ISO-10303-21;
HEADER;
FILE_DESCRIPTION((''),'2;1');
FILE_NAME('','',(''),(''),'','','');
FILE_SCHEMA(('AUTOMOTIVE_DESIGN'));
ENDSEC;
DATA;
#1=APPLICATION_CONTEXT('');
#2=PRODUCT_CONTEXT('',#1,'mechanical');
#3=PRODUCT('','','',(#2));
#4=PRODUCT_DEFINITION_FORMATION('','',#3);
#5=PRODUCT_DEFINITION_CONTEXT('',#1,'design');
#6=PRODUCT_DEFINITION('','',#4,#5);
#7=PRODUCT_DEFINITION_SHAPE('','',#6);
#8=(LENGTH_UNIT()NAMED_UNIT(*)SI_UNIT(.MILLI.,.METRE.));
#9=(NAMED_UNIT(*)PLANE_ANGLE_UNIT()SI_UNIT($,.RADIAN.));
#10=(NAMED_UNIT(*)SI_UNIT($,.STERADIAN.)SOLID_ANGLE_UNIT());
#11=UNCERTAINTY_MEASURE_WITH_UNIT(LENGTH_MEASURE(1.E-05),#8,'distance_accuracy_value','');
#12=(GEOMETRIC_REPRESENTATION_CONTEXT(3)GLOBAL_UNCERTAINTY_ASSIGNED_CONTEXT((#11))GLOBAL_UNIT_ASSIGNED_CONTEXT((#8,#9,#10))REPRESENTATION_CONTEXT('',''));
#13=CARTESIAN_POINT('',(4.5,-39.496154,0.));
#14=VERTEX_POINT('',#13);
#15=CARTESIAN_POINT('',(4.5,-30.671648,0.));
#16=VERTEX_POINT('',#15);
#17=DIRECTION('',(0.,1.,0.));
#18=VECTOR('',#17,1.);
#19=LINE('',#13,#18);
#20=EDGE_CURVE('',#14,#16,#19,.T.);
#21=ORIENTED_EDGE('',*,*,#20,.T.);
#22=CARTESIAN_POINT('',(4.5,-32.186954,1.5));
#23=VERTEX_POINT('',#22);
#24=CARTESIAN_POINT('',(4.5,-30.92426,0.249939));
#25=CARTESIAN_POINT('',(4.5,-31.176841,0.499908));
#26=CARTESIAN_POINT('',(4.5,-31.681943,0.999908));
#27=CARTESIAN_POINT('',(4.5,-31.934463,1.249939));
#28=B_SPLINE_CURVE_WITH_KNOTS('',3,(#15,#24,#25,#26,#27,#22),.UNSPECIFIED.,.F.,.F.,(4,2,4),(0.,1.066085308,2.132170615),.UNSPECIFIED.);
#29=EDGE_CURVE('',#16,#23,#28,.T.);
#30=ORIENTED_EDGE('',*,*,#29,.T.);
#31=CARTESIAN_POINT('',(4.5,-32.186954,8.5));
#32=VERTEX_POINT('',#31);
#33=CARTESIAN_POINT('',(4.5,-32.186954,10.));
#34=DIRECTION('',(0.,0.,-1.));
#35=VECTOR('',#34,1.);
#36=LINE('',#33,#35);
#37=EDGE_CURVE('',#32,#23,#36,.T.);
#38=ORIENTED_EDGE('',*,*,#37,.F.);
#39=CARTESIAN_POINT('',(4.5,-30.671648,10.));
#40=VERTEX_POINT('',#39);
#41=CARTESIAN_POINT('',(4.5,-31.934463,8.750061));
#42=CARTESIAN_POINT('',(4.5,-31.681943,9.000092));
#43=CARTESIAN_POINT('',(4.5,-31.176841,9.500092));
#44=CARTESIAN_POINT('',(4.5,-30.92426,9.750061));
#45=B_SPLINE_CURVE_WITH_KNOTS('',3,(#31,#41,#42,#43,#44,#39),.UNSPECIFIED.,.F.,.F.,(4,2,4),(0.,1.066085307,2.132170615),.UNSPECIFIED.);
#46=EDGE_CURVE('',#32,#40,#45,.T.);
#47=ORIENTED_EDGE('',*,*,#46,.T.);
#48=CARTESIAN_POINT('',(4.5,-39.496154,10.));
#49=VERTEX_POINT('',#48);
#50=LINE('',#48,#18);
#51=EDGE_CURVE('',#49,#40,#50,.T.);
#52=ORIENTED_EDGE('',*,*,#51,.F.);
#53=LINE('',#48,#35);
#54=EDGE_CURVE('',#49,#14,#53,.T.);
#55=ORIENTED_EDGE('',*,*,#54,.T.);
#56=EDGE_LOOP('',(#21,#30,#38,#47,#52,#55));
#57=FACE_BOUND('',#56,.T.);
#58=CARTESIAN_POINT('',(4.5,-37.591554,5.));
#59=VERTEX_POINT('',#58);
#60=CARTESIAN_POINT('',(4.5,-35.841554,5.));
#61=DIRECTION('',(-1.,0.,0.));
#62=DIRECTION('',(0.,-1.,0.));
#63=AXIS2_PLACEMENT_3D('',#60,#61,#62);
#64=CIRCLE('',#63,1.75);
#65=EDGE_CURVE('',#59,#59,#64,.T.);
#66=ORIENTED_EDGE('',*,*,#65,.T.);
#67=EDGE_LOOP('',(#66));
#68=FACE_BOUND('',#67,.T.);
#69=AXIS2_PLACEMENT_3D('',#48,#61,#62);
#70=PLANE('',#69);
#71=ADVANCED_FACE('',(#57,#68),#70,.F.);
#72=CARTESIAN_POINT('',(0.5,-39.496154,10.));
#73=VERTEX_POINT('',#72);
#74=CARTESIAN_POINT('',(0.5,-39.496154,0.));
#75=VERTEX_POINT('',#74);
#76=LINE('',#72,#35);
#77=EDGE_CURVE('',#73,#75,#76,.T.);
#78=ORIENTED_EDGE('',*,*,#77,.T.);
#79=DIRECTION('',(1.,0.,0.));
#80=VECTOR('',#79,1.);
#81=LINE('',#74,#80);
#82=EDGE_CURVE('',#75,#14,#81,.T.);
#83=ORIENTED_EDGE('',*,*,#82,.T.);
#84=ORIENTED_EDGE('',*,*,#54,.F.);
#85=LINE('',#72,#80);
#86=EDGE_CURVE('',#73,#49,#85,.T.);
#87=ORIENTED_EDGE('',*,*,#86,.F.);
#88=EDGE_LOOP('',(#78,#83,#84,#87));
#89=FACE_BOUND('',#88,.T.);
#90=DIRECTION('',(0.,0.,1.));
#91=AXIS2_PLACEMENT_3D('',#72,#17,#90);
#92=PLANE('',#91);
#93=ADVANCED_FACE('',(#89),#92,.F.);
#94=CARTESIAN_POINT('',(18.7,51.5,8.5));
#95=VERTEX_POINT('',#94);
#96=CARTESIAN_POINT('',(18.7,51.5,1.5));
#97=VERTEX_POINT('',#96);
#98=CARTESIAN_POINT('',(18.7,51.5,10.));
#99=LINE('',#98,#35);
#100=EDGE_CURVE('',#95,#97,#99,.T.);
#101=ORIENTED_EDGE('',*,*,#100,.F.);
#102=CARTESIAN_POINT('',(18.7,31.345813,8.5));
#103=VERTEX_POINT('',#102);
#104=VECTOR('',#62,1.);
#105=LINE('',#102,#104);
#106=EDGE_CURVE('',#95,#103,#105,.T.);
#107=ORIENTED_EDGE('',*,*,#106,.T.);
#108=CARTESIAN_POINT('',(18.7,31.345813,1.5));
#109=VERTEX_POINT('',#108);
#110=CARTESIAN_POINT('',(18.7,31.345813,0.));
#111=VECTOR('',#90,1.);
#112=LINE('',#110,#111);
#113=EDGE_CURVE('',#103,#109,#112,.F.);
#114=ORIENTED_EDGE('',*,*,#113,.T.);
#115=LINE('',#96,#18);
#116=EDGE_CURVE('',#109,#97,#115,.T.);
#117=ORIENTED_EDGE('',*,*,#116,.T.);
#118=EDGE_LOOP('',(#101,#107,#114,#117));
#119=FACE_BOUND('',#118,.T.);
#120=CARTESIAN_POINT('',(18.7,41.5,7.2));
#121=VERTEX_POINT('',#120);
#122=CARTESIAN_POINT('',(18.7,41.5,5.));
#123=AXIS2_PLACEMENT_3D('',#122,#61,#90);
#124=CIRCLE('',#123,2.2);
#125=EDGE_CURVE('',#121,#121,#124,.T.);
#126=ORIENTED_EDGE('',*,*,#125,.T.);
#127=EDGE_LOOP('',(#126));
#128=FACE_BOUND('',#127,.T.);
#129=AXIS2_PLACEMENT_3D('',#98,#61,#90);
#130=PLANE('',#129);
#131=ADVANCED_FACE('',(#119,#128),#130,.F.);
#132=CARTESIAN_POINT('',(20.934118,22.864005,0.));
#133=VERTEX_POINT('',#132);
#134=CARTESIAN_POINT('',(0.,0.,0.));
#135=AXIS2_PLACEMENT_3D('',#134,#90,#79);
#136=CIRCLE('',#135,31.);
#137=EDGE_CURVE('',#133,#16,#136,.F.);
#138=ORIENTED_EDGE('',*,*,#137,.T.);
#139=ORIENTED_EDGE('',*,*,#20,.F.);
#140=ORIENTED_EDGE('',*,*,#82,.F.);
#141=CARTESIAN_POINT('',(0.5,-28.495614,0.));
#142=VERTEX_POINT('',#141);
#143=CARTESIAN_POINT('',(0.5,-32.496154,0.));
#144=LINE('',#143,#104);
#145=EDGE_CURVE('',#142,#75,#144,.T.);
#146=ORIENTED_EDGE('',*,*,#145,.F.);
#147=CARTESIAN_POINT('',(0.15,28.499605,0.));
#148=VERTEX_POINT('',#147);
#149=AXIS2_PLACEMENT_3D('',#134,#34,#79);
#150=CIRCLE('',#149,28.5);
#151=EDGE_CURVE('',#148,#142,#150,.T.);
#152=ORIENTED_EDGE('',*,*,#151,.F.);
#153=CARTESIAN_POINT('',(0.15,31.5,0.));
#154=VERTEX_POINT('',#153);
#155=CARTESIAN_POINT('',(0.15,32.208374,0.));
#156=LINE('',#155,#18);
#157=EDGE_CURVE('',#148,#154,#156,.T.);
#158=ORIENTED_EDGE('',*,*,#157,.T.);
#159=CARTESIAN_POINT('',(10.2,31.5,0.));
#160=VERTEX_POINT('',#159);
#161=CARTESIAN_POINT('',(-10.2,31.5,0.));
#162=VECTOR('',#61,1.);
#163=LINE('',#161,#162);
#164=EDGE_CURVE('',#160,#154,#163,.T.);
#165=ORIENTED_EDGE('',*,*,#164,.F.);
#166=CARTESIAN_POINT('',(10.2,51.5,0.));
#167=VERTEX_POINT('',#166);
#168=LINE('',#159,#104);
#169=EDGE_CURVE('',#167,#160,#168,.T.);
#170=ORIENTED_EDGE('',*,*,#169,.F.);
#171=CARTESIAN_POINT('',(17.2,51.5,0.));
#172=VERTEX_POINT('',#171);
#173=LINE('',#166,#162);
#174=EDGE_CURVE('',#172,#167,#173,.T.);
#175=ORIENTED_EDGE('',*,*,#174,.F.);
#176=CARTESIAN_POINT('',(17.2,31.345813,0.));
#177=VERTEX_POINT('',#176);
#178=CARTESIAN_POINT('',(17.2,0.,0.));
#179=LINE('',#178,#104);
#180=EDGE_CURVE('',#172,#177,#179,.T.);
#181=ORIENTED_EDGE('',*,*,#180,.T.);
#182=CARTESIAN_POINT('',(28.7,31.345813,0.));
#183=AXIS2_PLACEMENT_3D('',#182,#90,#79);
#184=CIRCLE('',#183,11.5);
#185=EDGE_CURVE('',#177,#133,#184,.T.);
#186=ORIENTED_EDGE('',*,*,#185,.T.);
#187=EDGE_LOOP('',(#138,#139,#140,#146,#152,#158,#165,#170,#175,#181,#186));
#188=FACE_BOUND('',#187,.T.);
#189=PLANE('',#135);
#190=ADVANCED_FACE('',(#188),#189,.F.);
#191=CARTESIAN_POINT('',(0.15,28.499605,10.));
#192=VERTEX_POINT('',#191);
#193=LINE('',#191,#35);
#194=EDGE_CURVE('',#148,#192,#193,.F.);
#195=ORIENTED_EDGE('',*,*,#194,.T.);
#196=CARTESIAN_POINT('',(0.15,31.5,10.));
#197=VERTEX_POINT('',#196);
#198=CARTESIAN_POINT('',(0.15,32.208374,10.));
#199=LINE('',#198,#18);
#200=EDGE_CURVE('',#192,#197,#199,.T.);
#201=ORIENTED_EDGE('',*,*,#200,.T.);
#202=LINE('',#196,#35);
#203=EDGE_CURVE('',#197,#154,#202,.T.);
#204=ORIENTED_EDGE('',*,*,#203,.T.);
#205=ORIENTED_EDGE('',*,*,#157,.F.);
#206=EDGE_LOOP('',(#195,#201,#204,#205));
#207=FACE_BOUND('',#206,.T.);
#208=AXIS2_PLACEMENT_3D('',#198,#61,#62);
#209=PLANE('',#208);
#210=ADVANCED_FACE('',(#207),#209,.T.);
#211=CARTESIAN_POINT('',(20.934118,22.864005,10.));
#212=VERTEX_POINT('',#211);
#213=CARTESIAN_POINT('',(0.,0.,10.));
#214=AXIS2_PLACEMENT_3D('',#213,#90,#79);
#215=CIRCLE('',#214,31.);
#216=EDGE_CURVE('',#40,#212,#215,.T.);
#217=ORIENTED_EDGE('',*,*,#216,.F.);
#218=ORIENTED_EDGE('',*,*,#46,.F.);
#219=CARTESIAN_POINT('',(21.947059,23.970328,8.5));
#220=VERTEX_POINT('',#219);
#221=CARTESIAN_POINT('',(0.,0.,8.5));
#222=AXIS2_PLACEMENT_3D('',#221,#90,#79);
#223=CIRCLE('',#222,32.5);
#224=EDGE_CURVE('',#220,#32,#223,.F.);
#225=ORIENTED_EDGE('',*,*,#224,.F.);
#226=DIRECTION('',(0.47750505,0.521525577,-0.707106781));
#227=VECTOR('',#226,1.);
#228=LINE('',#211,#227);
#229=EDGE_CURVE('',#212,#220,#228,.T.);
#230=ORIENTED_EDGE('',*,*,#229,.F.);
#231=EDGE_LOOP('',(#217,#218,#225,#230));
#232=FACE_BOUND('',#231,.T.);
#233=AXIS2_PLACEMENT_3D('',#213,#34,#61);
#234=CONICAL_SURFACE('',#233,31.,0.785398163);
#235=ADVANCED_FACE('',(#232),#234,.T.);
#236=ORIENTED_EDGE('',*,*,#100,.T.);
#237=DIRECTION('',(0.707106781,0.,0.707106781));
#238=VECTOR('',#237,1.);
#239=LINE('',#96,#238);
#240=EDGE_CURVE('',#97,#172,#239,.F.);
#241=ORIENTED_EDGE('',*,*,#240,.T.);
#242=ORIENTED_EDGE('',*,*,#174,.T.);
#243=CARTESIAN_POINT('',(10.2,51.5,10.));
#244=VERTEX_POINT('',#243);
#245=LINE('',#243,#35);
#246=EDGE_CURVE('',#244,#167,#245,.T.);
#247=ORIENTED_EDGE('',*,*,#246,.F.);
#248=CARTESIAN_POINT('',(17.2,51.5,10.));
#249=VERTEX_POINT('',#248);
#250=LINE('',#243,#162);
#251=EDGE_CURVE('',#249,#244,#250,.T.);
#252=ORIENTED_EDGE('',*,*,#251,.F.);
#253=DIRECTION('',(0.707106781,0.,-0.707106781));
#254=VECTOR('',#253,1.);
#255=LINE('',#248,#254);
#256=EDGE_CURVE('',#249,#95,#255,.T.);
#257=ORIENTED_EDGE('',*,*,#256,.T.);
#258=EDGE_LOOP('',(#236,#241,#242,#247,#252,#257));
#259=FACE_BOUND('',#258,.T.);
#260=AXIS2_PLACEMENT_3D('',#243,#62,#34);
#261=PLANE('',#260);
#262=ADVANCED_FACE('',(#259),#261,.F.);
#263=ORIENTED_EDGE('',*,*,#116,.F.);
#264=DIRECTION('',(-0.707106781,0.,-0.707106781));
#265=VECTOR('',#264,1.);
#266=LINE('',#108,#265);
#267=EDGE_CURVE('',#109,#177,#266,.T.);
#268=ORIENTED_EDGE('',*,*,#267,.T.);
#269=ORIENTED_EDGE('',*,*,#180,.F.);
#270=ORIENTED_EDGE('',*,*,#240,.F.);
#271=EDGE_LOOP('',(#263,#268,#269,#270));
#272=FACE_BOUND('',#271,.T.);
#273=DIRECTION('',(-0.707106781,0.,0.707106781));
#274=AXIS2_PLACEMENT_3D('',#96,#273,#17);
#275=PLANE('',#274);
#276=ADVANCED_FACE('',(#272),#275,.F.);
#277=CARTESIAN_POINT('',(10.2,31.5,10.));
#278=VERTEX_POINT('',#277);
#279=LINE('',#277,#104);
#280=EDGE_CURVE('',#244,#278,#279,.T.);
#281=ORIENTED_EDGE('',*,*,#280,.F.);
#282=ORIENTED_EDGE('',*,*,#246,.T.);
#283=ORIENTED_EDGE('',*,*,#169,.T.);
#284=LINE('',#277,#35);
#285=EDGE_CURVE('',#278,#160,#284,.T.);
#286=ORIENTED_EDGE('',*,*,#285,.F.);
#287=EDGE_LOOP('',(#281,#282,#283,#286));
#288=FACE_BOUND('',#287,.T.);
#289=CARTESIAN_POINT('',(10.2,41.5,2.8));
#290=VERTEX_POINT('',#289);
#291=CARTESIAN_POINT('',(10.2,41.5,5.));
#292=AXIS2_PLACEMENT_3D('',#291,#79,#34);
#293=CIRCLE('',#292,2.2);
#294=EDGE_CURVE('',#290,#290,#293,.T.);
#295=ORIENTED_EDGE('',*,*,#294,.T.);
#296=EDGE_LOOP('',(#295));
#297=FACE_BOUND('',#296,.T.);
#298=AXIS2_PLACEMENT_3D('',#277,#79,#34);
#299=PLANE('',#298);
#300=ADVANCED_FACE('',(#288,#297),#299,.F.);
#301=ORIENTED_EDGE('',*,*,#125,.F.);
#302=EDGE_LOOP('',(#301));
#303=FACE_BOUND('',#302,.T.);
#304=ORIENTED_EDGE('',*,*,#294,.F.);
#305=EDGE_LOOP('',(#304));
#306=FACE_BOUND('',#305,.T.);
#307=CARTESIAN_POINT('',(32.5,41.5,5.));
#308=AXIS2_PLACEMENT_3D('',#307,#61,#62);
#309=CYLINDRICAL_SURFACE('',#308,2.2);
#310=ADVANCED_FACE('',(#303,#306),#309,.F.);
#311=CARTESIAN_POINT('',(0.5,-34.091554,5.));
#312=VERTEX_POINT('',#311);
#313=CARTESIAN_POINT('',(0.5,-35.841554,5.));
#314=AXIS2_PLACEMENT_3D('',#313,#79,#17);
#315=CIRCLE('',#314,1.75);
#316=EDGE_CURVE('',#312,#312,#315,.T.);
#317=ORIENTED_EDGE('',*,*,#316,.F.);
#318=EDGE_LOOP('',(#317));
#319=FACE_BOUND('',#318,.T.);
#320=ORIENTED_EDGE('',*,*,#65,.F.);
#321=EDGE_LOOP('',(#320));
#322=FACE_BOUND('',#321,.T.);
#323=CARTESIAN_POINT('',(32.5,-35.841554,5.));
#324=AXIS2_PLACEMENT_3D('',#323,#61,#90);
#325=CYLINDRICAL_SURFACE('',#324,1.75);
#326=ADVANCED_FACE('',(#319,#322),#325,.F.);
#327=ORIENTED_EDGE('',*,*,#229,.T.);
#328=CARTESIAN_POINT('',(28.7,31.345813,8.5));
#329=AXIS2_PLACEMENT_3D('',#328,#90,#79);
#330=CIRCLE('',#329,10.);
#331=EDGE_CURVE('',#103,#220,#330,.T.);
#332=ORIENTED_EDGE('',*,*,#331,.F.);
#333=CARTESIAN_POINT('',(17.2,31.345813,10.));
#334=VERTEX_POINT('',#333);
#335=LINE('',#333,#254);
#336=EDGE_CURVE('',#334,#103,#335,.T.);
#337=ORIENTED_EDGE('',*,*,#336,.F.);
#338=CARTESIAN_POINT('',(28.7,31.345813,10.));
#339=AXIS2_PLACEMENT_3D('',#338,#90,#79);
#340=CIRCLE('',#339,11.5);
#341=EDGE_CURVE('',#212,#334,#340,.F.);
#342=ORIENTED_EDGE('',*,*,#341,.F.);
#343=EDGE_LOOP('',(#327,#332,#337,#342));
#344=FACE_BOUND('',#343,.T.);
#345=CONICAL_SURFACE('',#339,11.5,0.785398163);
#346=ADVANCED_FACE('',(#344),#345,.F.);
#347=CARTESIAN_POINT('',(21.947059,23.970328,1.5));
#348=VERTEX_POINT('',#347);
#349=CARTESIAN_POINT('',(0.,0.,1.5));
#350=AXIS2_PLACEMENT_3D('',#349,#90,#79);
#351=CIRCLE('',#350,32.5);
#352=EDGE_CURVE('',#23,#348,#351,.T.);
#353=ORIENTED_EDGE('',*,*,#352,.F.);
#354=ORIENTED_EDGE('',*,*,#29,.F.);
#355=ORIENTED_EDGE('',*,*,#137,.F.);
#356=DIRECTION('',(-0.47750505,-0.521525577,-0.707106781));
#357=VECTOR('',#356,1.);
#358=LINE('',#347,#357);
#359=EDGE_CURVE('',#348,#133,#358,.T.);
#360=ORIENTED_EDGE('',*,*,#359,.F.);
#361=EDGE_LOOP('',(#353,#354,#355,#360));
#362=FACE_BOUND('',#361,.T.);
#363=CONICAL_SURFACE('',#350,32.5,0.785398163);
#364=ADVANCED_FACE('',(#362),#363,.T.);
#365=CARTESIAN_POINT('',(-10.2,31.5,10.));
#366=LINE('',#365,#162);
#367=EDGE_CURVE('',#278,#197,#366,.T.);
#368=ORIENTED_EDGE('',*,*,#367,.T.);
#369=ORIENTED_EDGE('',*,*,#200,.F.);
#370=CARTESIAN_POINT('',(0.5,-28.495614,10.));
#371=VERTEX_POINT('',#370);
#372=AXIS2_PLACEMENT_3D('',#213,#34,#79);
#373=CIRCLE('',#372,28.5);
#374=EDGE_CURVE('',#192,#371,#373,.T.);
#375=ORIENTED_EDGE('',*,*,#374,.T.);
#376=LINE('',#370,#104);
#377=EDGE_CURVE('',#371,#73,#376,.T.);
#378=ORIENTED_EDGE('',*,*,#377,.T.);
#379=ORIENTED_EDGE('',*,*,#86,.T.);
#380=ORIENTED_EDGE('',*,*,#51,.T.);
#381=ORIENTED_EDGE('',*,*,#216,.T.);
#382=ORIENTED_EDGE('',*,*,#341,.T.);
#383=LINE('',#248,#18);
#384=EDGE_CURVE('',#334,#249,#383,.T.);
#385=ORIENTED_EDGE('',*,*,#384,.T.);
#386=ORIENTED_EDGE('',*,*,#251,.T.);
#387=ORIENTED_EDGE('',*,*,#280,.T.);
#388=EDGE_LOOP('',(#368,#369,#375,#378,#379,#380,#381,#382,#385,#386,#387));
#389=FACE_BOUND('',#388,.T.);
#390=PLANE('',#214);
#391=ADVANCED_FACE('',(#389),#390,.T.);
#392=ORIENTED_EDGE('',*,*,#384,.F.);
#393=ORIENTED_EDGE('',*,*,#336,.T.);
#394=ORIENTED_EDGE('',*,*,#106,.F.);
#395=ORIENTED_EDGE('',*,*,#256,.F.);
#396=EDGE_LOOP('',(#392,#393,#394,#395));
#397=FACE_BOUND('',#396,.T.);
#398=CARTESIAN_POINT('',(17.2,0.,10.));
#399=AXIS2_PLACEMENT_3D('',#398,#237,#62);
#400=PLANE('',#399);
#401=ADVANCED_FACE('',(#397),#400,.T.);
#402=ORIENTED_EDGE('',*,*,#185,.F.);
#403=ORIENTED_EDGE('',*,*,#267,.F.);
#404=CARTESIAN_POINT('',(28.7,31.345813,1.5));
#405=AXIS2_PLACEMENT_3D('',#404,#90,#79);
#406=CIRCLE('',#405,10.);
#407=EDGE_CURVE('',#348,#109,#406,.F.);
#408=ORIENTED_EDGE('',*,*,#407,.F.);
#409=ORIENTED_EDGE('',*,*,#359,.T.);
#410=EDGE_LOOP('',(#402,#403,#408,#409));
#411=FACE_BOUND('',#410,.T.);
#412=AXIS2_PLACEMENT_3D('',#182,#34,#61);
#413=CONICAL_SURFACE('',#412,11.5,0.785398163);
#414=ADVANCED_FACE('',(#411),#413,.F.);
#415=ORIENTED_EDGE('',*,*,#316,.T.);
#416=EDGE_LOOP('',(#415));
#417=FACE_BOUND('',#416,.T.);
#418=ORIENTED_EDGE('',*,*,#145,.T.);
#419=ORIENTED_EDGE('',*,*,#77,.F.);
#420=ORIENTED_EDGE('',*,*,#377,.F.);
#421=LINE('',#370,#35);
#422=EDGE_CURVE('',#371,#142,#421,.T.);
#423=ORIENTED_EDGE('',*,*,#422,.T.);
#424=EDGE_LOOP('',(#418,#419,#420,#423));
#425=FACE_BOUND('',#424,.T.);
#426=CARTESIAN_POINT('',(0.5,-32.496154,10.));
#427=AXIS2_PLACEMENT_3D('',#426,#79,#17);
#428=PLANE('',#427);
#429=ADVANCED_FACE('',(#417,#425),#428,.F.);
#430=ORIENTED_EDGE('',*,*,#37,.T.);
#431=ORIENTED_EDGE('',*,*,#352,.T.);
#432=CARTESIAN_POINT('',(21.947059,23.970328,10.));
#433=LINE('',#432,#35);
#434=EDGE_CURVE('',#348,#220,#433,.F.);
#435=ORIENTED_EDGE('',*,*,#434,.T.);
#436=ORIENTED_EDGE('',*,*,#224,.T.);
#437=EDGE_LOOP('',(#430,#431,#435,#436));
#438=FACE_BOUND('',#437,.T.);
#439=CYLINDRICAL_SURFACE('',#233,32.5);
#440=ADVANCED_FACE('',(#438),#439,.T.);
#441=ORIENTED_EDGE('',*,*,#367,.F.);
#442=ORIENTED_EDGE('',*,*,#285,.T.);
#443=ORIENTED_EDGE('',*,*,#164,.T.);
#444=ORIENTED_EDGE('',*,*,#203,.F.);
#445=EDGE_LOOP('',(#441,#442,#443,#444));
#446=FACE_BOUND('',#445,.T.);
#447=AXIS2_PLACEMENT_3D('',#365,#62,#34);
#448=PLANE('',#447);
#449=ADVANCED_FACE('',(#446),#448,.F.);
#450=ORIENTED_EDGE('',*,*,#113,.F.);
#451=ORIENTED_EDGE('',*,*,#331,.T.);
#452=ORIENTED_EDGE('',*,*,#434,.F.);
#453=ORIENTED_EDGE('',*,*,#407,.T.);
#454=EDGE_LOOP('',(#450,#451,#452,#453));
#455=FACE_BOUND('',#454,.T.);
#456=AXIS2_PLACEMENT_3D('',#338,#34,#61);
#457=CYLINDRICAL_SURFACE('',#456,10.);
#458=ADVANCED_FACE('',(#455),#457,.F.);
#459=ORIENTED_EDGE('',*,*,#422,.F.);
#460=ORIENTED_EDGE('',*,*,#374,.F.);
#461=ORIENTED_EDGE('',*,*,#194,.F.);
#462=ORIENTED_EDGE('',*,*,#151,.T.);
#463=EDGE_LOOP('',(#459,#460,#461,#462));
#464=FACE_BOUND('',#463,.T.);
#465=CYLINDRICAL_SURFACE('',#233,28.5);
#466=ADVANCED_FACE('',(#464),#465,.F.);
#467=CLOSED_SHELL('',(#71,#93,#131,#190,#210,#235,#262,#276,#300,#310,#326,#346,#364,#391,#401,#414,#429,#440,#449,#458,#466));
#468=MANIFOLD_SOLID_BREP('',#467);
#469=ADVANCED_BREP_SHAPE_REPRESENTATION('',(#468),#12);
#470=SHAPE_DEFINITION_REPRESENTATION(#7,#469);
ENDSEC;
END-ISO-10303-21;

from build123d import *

# Parameters (mm, degrees)
AUFSATZ_LINEAR_AUSTRAGEN1_DEPTH = 10
SKIZZE2_R                       = 1.75
SCHNITT_LINEAR_AUSTRAGEN1_DEPTH = 38
SKIZZE4_R                       = 2.2
SCHNITT_LINEAR_AUSTRAGEN3_DEPTH = 52.2
VERRUNDUNG1_R                   = 10
SKIZZE5_W                       = 5.5
SKIZZE5_H                       = 5.5
SCHNITT_LINEAR_AUSTRAGEN4_DEPTH = 2
FASE1_SIZE                      = 1.5
SCHNITT_LINEAR_AUSTRAGEN5_DEPTH = 11


with BuildPart() as part:
    # Skizze1 → Aufsatz-Linear austragen1 (new body)
    with BuildSketch(Plane.XY):
        with BuildLine():
            Line((0.5, -28.495613698), (0.5, -32.496153619))
            Line((0.5, -32.496153619), (0.5, -39.496153619))
            Line((0.5, -39.496153619), (4.5, -39.496153619))
            Line((4.5, -39.496153619), (4.5, -32.186953879))
            ThreePointArc((4.5, -32.186953879), (31.590882714, -7.633225356), (18.7, 26.581196361))
            Line((18.7, 26.581196361), (18.7, 51.5))
            Line((18.7, 51.5), (10.2, 51.5))
            Line((10.2, 51.5), (10.2, 31.5))
            Line((10.2, 31.5), (-10.2, 31.5))
            Line((-10.2, 31.5), (-10.2, 51.5))
            Line((-10.2, 51.5), (-18.7, 51.5))
            Line((-18.7, 51.5), (-18.7, 26.581196361))
            ThreePointArc((-18.7, 26.581196361), (-31.590882714, -7.633225356), (-4.5, -32.186953879))
            Line((-4.5, -32.186953879), (-4.5, -39.496153619))
            Line((-4.5, -39.496153619), (-0.5, -39.496153619))
            Line((-0.5, -39.496153619), (-0.5, -32.496153619))
            Line((-0.5, -32.496153619), (-0.5, -28.495613698))
            ThreePointArc((-0.5, -28.495613698), (0, 28.5), (0.5, -28.495613698))
        make_face()
    extrude(amount=AUFSATZ_LINEAR_AUSTRAGEN1_DEPTH)

    # Skizze2 → Schnitt-Linear austragen1 (cut, through all)
    with BuildSketch(Plane.ZY.offset(4.5)):
        with Locations((5, -35.841553749)):
            Circle(SKIZZE2_R)
    extrude(amount=-SCHNITT_LINEAR_AUSTRAGEN1_DEPTH, mode=Mode.SUBTRACT)

    # Skizze4 → Schnitt-Linear austragen3 (cut, through all)
    with BuildSketch(Plane.ZY.offset(18.7)):
        with Locations((5, 41.5)):
            Circle(SKIZZE4_R)
    extrude(amount=-SCHNITT_LINEAR_AUSTRAGEN3_DEPTH, mode=Mode.SUBTRACT)

    # Verrundung1
    verrundung1_edges = [part.edges().sort_by_distance(p)[0] for p in [
        (-18.7, 26.581196361, 5),
        (18.7, 26.581196361, 5),
    ]]
    fillet(verrundung1_edges, radius=VERRUNDUNG1_R)

    # Skizze5 → Schnitt-Linear austragen4 (cut)
    with BuildSketch(Plane.ZY.offset(4.5)):
        with Locations((5, -35.841553749)):
            Rectangle(SKIZZE5_W, SKIZZE5_H)
    extrude(amount=-SCHNITT_LINEAR_AUSTRAGEN4_DEPTH, mode=Mode.SUBTRACT)

    # Fase1
    fase1_edges = [part.edges().sort_by_distance(p)[0] for p in [
        (-18.7, 41.422906559, 0),
        (31.036620275, -9.642520517, 0),
        (-18.7, 41.422906559, 10),
        (18.7, 41.422906559, 0),
        (18.7, 41.422906559, 10),
        (31.036620275, -9.642520517, 10),
        (-31.036620275, -9.642520517, 0),
        (-31.036620275, -9.642520517, 10),
        (19.547693958, 27.316508696, 0),
        (19.547693958, 27.316508696, 10),
        (-19.547693958, 27.316508696, 0),
        (-19.547693958, 27.316508696, 10),
    ]]
    chamfer(fase1_edges, length=FASE1_SIZE)

    # Skizze6 → Schnitt-Linear austragen5 (cut, through all)
    with BuildSketch(Plane.XY):
        Polygon((0, -82.914559746), (0, 27.830541285), (0.15, 27.830541285), (0.15, 32.208374164), (0, 32.208374164), (0, 82.914559746), (-62.169798489, 71.020337849), (-62.169798489, -54.918482242), align=None)
    extrude(amount=SCHNITT_LINEAR_AUSTRAGEN5_DEPTH, mode=Mode.SUBTRACT)


solid = part.part
